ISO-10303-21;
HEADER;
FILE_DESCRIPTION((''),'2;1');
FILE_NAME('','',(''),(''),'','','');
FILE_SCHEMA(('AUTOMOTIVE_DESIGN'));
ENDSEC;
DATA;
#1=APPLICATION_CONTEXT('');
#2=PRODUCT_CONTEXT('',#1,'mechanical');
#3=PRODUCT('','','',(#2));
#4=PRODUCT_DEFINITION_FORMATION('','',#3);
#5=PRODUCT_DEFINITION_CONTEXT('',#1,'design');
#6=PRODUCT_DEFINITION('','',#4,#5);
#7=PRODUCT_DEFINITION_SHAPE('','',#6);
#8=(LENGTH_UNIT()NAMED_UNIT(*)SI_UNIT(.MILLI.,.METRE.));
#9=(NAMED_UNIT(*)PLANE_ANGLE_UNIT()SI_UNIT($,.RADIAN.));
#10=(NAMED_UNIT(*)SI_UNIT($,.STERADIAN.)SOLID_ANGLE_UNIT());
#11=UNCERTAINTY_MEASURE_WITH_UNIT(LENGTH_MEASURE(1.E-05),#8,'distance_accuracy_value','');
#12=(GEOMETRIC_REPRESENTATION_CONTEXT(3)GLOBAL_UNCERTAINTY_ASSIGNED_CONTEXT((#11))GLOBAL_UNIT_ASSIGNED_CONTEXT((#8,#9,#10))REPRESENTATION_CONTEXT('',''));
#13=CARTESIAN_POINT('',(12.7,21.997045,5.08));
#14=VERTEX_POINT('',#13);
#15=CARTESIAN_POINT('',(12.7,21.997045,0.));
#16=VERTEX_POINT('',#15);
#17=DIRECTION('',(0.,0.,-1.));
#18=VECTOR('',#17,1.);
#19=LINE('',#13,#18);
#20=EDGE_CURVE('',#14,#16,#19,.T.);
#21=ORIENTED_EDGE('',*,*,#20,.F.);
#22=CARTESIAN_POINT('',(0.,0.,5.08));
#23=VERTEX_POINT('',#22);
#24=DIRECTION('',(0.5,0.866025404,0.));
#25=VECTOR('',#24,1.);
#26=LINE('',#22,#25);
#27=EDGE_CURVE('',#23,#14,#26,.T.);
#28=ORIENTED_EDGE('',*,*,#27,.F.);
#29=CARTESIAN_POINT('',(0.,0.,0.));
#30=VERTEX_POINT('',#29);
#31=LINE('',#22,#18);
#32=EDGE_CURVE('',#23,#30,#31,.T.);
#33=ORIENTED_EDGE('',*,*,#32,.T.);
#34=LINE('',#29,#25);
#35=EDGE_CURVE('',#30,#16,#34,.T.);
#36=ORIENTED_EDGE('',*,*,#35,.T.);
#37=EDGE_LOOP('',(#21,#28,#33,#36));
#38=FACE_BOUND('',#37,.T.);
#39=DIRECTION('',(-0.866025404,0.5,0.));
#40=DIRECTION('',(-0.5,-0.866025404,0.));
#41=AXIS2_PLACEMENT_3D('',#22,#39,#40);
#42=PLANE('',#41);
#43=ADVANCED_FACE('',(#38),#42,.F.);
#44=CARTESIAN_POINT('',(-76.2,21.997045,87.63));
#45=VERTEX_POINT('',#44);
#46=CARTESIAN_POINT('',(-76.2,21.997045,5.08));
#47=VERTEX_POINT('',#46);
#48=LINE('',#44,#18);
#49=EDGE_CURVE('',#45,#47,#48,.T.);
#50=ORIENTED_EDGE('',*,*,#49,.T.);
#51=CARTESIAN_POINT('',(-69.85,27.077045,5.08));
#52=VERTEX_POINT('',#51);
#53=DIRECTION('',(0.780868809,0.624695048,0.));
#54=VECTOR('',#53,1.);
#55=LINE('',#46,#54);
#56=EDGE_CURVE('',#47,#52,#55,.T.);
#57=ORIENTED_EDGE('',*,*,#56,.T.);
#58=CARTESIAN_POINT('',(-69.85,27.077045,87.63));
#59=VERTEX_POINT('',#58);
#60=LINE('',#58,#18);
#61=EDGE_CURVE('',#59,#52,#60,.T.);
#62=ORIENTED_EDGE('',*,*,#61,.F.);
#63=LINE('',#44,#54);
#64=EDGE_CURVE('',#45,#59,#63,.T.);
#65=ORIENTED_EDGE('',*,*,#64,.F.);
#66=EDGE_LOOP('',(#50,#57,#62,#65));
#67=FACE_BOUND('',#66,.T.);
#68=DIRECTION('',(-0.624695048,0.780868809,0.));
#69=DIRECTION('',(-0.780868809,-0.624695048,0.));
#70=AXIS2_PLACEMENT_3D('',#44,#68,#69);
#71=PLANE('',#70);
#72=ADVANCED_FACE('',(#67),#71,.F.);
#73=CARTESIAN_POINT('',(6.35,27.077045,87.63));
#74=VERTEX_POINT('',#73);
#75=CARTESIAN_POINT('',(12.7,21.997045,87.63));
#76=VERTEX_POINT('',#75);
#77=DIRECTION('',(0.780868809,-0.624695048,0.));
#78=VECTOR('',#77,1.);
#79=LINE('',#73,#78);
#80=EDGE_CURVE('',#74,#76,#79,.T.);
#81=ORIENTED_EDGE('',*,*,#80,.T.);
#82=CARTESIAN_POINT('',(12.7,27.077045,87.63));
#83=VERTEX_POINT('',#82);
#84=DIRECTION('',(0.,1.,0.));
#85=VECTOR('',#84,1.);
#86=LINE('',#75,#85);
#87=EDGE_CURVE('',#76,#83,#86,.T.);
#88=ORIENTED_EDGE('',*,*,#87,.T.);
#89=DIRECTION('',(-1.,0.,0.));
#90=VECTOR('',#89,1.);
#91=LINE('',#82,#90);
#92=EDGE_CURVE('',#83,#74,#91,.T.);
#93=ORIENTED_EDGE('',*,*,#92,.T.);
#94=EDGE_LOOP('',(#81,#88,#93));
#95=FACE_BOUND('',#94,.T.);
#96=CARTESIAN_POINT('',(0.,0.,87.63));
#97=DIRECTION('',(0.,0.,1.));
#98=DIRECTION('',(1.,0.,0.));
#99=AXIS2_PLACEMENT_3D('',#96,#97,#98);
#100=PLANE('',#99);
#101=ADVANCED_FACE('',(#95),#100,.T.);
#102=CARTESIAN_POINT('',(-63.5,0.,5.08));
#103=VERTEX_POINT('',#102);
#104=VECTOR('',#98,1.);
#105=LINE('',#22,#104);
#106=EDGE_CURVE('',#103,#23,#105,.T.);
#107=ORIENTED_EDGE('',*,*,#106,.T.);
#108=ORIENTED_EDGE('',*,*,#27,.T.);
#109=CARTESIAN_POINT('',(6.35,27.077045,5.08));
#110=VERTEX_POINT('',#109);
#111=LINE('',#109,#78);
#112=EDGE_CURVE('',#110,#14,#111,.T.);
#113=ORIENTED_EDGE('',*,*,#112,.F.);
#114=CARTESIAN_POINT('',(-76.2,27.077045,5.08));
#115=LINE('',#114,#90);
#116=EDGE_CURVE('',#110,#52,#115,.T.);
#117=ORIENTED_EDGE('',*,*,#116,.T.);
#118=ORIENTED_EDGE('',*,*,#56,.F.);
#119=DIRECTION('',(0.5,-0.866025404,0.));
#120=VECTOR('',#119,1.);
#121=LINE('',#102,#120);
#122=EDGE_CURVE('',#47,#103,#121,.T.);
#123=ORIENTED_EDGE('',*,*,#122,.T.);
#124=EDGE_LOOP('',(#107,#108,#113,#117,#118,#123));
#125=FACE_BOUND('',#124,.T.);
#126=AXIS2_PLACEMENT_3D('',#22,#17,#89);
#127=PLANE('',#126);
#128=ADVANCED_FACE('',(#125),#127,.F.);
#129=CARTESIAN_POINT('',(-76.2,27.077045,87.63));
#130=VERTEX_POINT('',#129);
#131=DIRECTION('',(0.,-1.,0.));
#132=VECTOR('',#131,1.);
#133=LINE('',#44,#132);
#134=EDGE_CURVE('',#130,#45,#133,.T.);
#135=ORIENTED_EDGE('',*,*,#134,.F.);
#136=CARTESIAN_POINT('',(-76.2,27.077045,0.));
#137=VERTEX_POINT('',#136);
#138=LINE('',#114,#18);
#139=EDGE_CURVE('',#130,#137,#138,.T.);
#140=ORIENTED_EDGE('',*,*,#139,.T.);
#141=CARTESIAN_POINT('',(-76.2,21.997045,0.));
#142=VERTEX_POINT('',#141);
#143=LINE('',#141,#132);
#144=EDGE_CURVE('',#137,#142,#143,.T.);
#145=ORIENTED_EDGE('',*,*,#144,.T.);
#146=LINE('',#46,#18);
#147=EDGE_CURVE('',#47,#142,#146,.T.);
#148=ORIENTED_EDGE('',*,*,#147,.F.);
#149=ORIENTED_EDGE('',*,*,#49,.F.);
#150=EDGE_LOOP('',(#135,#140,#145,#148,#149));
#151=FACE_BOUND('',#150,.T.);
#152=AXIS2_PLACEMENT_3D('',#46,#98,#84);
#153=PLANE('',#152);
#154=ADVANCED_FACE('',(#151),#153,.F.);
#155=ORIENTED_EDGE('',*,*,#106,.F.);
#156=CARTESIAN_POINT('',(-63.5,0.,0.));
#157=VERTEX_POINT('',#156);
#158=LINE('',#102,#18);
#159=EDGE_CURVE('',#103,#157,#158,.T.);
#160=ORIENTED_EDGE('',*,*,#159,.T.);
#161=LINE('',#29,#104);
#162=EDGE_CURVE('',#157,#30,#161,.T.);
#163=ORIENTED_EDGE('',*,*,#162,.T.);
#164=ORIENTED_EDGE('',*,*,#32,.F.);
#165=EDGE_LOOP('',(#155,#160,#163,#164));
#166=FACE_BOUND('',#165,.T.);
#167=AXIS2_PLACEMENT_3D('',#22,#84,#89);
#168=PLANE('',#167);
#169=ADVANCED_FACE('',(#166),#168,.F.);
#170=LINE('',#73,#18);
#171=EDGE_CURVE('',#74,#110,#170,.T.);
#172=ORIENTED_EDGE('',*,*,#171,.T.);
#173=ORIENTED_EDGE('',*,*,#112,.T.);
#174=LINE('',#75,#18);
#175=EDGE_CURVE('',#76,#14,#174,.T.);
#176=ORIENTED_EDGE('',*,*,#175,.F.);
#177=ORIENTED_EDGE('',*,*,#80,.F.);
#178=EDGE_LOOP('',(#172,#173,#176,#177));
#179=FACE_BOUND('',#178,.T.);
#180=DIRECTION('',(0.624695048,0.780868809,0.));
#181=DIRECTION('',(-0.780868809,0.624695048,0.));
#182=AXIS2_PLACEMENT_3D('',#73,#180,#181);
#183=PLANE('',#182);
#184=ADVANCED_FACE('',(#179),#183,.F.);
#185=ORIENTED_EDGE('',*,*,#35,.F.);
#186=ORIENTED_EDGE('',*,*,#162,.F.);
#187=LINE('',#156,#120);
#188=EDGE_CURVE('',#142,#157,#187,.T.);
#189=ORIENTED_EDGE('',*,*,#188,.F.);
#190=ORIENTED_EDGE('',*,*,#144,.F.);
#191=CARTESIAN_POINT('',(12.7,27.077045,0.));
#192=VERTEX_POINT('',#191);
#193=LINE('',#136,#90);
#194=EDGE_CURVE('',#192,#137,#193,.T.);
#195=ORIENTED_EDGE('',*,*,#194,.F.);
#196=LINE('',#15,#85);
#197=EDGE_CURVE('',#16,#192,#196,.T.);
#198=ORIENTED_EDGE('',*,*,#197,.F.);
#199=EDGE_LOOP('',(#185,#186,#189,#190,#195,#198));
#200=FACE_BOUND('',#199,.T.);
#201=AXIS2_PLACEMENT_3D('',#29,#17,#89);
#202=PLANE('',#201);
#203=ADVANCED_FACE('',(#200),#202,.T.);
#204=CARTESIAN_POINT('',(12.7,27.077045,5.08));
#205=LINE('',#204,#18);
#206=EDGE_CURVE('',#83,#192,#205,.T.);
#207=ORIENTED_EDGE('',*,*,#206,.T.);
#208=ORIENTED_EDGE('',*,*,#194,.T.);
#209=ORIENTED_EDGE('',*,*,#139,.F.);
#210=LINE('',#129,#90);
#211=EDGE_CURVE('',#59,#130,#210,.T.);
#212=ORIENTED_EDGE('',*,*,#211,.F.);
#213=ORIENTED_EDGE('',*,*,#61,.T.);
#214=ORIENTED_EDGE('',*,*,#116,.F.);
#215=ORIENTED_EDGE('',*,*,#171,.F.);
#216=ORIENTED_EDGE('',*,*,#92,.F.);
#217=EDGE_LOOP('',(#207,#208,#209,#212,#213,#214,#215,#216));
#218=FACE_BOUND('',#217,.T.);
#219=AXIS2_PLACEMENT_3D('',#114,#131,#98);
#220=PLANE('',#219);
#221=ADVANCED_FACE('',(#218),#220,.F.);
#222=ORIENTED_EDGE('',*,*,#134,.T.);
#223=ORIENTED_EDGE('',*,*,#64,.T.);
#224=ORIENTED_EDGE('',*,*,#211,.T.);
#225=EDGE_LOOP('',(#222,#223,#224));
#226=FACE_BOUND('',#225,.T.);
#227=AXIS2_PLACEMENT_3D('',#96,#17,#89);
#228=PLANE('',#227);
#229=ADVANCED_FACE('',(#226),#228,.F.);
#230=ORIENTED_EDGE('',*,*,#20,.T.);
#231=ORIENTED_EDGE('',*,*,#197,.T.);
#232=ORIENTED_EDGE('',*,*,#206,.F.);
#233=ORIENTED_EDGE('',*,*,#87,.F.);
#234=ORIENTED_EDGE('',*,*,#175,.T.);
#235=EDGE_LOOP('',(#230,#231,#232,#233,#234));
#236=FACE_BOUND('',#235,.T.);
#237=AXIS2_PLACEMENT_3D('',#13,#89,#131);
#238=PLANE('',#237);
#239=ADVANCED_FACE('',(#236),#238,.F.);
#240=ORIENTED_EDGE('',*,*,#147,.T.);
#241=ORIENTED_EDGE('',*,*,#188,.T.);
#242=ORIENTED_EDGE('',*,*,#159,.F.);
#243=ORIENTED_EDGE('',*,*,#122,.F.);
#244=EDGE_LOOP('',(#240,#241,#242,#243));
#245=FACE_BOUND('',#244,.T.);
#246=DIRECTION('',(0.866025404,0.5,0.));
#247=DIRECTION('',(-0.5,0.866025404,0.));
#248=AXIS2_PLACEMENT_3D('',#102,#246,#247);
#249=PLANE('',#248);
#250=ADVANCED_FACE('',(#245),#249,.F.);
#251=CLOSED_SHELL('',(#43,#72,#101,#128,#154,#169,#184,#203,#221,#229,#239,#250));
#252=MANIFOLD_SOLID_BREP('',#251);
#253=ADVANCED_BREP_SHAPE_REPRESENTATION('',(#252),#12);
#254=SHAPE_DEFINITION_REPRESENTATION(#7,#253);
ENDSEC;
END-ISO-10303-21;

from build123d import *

# Parameters (mm, degrees)
BOSS_EXTRUDE1_DEPTH = 5.08
BOSS_EXTRUDE2_DEPTH = 82.55


with BuildPart() as part:
    # Sketch1 → Boss-Extrude1 (new body)
    with BuildSketch(Plane.XY):
        Polygon((0, 0), (-63.5, 0), (-76.2, 21.997045256), (-76.2, 27.077045256), (12.7, 27.077045256), (12.7, 21.997045256), align=None)
    extrude(amount=BOSS_EXTRUDE1_DEPTH)

    # Sketch2 → Boss-Extrude2 (add)
    with BuildSketch(Plane.XY.offset(5.08)):
        Polygon((-76.2, 21.997045256), (-69.85, 27.077045256), (-76.2, 27.077045256), align=None)
        Polygon((12.7, 21.997045256), (12.7, 27.077045256), (6.35, 27.077045256), align=None)
    extrude(amount=BOSS_EXTRUDE2_DEPTH)


solid = part.part
